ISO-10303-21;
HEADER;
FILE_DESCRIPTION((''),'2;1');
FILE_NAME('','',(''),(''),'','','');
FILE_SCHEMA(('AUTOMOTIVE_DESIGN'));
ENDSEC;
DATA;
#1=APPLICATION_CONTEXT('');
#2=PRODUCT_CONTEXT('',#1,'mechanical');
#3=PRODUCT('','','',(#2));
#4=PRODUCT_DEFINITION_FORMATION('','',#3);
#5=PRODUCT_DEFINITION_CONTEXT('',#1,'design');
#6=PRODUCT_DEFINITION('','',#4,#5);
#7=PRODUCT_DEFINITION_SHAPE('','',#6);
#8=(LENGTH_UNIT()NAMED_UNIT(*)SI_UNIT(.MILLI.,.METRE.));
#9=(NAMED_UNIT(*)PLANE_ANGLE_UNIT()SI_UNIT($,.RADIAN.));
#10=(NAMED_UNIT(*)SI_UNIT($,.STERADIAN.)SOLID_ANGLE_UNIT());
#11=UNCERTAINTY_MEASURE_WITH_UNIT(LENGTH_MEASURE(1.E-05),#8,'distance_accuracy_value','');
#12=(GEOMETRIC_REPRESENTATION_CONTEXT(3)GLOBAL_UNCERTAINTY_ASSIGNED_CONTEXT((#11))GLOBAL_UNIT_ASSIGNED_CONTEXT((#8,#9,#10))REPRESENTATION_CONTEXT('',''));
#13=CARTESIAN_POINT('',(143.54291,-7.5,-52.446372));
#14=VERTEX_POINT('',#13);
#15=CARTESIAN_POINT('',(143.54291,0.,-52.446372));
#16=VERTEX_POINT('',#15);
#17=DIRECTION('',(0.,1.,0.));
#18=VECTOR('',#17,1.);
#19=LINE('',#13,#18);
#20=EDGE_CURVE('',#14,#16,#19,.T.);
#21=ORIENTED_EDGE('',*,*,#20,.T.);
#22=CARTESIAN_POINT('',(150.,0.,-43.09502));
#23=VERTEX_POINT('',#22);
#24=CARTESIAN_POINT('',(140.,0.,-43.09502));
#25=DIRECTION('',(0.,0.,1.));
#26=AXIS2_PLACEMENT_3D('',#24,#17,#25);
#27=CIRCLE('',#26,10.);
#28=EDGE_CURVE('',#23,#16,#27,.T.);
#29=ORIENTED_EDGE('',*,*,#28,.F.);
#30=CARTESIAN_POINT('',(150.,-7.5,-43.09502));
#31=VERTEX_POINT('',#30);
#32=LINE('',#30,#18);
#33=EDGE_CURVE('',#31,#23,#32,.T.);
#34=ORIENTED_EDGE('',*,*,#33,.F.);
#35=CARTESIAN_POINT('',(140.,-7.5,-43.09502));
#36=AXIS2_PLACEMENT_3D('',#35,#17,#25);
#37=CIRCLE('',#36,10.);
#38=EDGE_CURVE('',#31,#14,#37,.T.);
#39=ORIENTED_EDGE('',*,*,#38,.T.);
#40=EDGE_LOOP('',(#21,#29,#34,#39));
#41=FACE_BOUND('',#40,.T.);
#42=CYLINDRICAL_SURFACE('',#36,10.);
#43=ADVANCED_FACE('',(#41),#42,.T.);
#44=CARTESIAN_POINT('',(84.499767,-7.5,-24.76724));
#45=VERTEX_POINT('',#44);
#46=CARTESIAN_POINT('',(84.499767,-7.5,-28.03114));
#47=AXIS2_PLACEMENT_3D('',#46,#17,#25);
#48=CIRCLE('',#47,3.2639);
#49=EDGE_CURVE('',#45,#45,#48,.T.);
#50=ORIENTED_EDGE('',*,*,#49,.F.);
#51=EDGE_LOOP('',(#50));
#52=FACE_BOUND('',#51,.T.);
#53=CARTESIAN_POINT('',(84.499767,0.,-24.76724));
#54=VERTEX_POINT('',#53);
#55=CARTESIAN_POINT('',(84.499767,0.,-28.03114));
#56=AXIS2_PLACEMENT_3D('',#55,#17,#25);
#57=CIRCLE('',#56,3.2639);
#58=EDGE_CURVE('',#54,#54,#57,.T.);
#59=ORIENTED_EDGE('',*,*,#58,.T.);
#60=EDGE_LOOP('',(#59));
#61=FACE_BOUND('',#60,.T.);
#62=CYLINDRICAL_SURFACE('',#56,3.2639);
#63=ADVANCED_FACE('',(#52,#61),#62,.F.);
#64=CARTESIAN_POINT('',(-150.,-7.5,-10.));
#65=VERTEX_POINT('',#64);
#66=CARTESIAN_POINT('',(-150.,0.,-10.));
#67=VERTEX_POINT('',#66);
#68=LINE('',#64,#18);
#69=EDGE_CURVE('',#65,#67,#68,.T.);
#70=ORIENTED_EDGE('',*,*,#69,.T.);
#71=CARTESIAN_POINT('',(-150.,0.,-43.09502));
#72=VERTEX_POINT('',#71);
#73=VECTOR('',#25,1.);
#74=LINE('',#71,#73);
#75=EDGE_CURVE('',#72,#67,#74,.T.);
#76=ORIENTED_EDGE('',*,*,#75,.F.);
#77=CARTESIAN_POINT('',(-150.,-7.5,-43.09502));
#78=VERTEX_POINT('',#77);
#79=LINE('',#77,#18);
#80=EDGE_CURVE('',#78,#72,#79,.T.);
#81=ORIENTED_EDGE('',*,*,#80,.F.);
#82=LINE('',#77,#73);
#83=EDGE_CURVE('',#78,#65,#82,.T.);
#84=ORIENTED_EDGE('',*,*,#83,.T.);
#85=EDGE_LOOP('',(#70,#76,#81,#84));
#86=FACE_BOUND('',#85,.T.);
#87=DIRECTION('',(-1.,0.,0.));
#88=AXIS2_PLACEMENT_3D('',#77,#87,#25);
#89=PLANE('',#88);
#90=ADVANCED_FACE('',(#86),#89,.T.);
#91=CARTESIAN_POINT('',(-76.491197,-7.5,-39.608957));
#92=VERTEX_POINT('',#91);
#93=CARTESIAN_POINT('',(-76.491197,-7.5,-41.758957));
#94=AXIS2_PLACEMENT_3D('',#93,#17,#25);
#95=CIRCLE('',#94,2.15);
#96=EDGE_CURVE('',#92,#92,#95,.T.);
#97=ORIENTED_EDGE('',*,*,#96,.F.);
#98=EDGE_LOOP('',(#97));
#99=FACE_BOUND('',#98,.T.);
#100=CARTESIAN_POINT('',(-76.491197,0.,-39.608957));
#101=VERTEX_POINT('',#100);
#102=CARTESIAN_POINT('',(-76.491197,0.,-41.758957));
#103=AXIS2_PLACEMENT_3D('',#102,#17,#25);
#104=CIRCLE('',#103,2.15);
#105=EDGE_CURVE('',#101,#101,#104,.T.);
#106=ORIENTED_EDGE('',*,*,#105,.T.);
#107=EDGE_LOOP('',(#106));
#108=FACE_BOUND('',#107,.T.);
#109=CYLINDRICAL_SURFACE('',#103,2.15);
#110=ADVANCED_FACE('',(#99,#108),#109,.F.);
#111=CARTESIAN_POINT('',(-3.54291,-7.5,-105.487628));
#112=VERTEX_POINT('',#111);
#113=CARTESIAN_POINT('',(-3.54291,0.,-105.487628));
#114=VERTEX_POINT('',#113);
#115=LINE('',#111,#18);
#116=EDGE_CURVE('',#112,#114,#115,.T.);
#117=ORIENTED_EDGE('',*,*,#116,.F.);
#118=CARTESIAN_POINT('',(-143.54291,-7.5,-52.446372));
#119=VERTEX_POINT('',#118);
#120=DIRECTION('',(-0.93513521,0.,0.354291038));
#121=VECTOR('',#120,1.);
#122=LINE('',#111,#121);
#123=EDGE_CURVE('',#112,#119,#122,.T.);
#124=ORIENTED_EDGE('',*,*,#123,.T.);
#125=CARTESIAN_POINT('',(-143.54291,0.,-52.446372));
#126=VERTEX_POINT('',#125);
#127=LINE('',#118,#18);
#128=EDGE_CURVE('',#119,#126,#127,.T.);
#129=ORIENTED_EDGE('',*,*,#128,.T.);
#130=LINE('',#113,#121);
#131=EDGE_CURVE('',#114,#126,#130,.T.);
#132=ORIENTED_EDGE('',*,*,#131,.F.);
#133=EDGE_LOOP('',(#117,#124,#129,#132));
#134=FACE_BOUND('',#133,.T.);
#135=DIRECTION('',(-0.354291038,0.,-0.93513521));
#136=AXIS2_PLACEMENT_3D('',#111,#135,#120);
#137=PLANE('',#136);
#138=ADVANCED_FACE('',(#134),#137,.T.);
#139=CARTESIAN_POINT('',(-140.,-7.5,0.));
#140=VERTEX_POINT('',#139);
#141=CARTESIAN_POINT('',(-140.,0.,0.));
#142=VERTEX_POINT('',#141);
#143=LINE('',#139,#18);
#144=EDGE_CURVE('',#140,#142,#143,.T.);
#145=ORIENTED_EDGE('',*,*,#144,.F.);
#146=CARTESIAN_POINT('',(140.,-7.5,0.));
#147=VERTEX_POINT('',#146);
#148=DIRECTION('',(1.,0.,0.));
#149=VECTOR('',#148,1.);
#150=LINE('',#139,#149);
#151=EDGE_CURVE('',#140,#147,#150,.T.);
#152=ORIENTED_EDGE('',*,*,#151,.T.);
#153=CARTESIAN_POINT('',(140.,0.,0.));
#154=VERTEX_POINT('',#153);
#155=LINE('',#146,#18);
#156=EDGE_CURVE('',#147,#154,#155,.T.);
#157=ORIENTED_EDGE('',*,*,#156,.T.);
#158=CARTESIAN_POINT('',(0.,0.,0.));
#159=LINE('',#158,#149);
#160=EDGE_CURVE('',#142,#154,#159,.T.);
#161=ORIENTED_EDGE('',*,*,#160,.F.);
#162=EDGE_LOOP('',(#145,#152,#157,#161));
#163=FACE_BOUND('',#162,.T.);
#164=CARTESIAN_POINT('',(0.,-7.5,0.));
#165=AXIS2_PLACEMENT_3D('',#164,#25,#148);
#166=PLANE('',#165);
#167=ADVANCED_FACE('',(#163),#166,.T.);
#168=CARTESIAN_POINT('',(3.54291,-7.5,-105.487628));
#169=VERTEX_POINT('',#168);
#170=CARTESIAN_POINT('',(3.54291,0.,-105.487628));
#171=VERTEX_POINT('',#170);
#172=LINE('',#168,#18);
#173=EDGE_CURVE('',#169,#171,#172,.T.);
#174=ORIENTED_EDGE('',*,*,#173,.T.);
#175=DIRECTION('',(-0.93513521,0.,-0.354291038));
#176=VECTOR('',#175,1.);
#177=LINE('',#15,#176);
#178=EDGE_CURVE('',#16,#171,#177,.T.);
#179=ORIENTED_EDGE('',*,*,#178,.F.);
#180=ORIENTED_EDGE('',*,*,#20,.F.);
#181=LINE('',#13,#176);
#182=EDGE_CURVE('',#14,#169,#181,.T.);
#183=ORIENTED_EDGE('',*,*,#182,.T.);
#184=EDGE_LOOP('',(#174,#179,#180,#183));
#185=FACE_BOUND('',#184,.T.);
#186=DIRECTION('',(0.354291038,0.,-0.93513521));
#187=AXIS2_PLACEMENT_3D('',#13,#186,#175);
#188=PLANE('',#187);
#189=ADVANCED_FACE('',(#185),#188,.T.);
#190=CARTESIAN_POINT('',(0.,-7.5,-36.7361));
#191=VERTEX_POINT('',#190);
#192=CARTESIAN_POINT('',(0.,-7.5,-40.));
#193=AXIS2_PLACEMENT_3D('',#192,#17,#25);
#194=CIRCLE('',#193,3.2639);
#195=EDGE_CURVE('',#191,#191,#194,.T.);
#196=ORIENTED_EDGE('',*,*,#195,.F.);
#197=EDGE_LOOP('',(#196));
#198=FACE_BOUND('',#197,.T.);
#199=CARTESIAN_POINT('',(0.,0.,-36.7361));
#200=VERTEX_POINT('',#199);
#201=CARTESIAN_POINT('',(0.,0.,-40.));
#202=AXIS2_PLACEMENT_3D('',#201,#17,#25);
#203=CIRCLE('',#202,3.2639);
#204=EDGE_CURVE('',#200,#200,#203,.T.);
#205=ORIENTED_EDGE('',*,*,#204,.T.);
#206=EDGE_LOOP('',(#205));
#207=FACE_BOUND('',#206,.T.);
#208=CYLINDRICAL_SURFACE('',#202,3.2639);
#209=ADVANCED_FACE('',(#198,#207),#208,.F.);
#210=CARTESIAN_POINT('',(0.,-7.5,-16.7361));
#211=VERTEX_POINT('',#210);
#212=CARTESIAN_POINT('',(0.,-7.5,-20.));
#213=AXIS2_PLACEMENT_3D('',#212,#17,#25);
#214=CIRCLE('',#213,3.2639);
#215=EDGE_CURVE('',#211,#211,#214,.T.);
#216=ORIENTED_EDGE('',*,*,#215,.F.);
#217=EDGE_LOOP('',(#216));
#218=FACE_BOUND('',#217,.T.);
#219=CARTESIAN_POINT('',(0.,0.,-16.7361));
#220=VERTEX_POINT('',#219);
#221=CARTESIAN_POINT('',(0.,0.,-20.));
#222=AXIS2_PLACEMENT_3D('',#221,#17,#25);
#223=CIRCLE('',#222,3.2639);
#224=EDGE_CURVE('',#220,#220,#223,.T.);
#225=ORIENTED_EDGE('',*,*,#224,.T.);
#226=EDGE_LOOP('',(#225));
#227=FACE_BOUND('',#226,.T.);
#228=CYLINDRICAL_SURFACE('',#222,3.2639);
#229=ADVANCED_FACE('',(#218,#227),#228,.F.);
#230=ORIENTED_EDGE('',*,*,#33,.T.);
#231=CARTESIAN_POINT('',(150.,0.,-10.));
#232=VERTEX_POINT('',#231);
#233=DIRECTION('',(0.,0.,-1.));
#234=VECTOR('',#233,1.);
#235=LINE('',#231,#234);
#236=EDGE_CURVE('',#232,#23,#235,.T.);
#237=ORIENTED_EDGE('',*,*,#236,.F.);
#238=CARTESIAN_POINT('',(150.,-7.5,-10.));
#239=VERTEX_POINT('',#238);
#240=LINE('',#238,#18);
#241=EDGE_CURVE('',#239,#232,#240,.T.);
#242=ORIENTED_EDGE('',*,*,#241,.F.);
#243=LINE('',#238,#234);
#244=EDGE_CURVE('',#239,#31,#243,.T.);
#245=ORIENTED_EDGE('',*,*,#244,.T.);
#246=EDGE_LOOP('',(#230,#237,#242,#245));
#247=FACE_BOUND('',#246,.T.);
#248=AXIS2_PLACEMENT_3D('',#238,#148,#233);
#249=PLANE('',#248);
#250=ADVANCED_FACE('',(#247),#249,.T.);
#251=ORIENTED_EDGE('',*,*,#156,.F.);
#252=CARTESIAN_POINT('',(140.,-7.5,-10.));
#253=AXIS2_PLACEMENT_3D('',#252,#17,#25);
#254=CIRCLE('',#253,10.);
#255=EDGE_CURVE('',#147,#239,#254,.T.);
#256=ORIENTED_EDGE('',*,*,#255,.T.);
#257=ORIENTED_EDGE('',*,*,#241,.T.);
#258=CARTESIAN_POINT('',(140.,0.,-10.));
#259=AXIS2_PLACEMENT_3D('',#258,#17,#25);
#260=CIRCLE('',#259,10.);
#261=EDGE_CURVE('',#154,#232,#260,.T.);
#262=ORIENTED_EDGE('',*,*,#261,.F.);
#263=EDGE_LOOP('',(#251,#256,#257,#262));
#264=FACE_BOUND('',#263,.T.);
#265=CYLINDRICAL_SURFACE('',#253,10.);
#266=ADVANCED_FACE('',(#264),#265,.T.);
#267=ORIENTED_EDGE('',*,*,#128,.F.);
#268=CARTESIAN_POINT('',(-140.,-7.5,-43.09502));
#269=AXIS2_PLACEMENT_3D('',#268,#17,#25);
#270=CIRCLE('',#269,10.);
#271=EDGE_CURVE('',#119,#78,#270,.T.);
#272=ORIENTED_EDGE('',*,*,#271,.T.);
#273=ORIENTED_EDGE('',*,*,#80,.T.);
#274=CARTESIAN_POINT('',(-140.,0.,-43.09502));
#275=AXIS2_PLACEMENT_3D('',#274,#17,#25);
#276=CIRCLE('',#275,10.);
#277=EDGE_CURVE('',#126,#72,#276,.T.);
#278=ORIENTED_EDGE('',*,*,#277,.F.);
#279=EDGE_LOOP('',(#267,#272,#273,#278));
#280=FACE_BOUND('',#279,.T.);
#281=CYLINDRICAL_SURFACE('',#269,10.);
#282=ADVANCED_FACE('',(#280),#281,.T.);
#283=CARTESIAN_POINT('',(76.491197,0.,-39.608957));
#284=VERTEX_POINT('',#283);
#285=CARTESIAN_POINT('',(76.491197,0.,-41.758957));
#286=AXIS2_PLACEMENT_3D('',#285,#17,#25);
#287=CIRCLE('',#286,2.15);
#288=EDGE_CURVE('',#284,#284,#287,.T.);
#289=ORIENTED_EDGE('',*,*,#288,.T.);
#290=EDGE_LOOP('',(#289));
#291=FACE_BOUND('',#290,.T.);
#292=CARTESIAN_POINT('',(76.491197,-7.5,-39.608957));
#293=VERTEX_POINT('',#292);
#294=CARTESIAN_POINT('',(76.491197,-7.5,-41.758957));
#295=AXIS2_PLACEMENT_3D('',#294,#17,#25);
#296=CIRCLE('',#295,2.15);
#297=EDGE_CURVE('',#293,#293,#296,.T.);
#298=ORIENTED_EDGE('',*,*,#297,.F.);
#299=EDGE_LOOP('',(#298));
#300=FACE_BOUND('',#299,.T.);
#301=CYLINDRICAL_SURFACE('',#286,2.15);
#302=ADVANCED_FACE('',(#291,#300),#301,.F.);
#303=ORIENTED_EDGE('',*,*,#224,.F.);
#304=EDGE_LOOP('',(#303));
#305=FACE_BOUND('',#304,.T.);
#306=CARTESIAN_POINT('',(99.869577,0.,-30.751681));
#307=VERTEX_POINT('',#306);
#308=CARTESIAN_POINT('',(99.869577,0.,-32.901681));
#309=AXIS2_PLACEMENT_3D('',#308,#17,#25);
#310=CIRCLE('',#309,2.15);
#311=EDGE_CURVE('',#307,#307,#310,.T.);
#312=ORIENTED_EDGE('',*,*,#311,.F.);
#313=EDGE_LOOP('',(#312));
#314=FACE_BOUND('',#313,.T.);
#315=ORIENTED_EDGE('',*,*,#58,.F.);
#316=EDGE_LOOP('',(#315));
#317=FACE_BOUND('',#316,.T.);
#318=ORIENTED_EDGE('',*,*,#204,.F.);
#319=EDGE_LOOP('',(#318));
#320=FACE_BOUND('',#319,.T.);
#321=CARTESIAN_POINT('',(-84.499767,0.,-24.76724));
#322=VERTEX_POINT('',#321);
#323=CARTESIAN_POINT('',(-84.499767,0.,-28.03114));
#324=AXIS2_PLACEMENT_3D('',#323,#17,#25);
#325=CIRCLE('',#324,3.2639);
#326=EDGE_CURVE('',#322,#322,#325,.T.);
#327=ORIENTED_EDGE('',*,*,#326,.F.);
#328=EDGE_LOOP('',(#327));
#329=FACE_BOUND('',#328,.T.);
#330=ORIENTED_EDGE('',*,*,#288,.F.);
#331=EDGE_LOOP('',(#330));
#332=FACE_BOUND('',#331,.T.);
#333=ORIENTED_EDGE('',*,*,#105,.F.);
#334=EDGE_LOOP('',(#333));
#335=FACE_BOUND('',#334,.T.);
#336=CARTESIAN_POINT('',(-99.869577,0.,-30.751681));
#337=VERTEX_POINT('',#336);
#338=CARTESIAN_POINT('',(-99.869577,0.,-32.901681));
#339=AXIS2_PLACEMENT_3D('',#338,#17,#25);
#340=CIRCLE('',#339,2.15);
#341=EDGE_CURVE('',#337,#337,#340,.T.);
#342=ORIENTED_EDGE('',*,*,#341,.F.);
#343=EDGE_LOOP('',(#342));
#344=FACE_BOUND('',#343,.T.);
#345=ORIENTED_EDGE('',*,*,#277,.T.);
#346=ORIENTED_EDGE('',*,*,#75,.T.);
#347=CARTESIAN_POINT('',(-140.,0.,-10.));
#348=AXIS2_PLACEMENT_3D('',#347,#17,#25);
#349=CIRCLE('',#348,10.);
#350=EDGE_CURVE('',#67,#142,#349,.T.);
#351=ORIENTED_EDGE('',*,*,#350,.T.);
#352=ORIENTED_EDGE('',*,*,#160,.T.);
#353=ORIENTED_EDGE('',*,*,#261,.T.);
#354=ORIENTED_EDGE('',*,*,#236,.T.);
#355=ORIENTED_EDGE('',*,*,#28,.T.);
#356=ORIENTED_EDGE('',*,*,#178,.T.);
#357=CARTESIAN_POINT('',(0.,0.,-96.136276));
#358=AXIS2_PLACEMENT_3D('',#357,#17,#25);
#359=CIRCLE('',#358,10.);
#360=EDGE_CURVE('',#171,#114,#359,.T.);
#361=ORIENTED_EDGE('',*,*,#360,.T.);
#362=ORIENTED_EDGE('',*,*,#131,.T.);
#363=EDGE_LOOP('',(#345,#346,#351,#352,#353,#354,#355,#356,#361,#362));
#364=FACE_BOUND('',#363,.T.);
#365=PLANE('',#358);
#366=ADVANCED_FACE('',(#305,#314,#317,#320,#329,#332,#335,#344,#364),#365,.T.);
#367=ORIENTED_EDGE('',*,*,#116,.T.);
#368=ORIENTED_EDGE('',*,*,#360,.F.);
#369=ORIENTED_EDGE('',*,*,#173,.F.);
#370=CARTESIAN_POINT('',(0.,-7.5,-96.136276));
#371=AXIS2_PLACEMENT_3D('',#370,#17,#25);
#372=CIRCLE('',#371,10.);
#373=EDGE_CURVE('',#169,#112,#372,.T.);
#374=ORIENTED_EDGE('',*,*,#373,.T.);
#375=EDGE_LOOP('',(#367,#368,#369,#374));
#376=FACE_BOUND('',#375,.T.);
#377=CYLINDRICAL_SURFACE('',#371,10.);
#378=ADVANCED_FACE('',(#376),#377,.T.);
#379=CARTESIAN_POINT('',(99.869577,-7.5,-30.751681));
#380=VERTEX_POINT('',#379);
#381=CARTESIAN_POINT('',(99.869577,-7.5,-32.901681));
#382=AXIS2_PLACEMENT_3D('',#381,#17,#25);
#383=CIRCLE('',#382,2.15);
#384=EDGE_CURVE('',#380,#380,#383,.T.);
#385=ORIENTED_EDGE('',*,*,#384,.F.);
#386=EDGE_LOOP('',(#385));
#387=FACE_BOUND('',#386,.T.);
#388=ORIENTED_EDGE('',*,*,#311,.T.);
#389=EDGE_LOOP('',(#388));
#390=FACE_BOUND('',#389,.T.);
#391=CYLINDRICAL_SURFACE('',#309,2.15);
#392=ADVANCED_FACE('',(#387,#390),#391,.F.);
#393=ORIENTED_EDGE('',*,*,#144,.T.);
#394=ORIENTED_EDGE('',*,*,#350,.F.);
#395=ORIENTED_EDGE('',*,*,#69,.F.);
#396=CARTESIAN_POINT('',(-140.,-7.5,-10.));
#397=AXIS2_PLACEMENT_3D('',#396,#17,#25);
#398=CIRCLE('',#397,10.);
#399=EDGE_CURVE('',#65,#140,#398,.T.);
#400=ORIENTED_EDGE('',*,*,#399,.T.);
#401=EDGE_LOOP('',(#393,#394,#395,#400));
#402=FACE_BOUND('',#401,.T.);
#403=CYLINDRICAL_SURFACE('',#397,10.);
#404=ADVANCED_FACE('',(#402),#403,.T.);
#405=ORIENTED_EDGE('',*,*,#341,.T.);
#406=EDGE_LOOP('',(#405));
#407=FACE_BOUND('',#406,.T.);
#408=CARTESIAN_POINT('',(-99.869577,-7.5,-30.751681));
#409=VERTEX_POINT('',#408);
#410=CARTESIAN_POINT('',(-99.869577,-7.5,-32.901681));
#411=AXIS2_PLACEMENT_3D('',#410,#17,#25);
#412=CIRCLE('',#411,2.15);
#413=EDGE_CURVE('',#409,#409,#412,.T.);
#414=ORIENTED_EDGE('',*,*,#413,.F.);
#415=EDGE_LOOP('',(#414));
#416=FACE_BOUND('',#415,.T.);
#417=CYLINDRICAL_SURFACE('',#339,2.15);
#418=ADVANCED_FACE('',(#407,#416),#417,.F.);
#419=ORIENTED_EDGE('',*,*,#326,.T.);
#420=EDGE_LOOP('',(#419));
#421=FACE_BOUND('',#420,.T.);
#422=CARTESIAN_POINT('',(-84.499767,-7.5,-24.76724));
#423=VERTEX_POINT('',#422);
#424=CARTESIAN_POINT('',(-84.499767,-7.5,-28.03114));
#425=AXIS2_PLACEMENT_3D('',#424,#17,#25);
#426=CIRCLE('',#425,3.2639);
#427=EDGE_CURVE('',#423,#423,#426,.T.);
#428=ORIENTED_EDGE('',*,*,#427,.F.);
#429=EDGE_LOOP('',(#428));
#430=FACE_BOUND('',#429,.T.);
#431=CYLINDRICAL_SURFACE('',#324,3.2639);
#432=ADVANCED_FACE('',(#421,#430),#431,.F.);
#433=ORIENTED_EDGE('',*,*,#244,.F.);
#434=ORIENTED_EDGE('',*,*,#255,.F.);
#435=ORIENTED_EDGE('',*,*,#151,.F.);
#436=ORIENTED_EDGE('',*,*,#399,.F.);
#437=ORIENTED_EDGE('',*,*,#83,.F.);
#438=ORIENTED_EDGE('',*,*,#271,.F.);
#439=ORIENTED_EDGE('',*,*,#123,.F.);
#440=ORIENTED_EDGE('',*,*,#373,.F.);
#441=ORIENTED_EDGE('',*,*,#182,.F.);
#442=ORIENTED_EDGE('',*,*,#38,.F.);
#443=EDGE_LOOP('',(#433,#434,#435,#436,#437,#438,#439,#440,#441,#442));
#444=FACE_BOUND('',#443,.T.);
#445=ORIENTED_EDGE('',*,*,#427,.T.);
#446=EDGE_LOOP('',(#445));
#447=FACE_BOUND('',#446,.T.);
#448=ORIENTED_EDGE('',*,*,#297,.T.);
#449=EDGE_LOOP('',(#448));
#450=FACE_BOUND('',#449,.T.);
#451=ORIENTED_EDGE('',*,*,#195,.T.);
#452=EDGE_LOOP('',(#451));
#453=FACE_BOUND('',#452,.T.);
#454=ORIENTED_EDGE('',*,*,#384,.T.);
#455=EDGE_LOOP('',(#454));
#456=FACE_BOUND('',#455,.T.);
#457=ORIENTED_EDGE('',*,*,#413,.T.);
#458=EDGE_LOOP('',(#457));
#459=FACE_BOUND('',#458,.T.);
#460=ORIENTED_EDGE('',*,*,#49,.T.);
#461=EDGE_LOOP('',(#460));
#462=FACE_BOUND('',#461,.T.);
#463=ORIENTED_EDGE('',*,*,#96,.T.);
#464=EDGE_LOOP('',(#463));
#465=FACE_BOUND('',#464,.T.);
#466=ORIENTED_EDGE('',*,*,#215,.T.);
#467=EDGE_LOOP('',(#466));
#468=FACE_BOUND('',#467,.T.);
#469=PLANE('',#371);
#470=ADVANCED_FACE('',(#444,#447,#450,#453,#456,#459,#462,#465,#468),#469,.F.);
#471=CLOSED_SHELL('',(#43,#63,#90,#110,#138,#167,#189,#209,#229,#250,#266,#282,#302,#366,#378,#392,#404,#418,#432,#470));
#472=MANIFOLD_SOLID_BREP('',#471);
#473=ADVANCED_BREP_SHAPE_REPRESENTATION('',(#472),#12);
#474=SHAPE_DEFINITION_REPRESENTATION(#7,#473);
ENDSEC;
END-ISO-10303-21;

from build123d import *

# Parameters (mm, degrees)
BOSS_EXTRUDE1_DEPTH     = 7.5
F_1_4_CLEARANCE_HOLE4_D = 6.5278
M4_CLEARANCE_HOLE1_D    = 4.3


with BuildPart() as part:
    # Sketch2 → Boss-Extrude1 (new body)
    with BuildSketch(Plane(origin=(0, 0, 0), x_dir=(1, 0, 0), z_dir=(0, 1, 0))):
        with BuildLine():
            Line((0, 0), (140, 0))
            ThreePointArc((140, 0), (147.071067812, 2.928932188), (150, 10))
            Line((150, 10), (150, 43.095020321))
            ThreePointArc((150, 43.095020321), (148.228885216, 48.777048841), (143.54291038, 52.446372418))
            Line((143.54291038, 52.446372418), (3.54291038, 105.487627635))
            ThreePointArc((3.54291038, 105.487627635), (0, 106.136275538), (-3.54291038, 105.487627635))
            Line((-3.54291038, 105.487627635), (-143.54291038, 52.446372418))
            ThreePointArc((-143.54291038, 52.446372418), (-148.228885216, 48.777048841), (-150, 43.095020321))
            Line((-150, 43.095020321), (-150, 10))
            ThreePointArc((-150, 10), (-147.071067812, 2.928932188), (-140, 0))
            Line((-140, 0), (0, 0))
        make_face()
    extrude(amount=-BOSS_EXTRUDE1_DEPTH)

    # 1/4 Clearance Hole4 (through all)
    with Locations(Plane(origin=(0, 0, 0), x_dir=(1, 0, 0), z_dir=(0, 1, 0))):
        with Locations((84.499767088, 28.031140011), (-84.499767088, 28.031140011), (0, 40), (0, 20)):
            Hole(F_1_4_CLEARANCE_HOLE4_D / 2)

    # M4 Clearance Hole1 (through all)
    with Locations(Plane(origin=(0, 0, 0), x_dir=(1, 0, 0), z_dir=(0, 1, 0))):
        with Locations((-76.49119694, 41.758956585), (-99.869577175, 32.901680638), (76.49119694, 41.758956585), (99.869577175, 32.901680638)):
            Hole(M4_CLEARANCE_HOLE1_D / 2)


solid = part.part
